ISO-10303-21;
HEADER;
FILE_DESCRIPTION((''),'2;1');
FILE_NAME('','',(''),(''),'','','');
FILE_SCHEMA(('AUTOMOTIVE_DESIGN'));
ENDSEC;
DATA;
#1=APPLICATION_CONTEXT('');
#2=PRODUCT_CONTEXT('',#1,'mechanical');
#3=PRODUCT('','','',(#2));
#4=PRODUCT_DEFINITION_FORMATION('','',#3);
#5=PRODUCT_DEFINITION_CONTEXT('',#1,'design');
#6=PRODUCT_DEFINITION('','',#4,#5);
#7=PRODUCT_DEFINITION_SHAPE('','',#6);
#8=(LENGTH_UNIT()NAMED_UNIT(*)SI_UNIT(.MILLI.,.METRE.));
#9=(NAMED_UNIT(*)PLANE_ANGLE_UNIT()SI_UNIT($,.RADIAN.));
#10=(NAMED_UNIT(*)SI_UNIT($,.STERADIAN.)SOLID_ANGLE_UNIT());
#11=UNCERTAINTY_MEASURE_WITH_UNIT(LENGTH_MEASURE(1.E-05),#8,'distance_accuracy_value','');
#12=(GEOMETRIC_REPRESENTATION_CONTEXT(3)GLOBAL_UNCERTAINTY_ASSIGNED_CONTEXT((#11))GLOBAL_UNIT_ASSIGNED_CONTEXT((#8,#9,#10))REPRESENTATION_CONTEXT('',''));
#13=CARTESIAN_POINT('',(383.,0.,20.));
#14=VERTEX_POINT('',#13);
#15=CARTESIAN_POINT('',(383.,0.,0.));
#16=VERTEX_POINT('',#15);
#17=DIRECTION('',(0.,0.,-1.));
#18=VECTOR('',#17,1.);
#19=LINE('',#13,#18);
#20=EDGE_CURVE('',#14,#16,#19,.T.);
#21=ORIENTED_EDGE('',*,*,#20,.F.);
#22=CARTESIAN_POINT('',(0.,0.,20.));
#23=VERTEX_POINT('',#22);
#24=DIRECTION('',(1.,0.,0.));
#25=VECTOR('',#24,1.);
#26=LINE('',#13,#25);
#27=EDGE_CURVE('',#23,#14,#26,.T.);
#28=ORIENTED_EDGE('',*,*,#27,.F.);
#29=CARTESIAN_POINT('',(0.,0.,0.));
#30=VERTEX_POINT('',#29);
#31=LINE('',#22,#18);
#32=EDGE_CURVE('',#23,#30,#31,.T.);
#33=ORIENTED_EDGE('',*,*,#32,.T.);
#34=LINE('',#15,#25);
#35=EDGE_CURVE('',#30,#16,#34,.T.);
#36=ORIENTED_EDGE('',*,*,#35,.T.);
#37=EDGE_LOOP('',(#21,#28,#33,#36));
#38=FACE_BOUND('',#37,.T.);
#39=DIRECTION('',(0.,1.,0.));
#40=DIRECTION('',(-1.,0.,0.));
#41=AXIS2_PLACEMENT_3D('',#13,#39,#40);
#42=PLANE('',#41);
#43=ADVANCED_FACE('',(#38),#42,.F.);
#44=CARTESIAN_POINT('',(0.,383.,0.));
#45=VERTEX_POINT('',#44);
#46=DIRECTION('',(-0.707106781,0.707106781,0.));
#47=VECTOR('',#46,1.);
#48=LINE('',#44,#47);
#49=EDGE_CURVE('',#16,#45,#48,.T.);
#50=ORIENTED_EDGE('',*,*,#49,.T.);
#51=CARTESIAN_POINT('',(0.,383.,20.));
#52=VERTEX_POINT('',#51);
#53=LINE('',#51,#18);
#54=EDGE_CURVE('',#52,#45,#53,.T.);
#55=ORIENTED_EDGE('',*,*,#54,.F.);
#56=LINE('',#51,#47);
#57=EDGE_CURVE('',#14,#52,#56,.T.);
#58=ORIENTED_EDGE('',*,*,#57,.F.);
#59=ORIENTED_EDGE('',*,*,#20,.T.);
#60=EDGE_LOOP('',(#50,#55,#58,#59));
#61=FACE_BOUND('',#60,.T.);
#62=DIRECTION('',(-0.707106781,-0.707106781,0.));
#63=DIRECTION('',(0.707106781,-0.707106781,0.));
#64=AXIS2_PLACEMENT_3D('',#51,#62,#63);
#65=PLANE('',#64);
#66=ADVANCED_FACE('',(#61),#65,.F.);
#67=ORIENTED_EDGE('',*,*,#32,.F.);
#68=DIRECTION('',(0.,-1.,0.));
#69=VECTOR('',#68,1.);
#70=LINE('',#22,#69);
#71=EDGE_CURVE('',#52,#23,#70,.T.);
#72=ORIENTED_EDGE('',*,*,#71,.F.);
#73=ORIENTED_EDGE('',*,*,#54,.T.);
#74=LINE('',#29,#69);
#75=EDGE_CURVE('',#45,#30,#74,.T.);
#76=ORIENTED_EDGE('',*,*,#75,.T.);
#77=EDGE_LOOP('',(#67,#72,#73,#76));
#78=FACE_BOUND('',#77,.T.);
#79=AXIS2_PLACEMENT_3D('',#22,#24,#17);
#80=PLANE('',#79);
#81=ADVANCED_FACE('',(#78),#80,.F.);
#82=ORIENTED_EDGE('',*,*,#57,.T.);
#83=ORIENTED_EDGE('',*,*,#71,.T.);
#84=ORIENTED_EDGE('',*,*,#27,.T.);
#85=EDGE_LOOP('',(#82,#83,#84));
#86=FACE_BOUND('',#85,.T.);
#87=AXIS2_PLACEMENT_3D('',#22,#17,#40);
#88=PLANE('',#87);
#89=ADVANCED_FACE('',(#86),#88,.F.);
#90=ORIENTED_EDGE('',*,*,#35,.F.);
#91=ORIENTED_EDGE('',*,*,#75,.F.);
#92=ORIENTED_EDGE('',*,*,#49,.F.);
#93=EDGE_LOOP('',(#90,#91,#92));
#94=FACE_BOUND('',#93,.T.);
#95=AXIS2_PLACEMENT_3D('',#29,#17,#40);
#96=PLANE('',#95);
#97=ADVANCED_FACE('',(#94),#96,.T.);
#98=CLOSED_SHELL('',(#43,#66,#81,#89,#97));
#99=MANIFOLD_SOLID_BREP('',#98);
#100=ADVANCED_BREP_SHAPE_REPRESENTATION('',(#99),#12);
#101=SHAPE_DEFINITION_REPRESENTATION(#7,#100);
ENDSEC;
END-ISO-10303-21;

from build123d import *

# Parameters (mm, degrees)
BOSS_EXTRU_1_DEPTH = 20


with BuildPart() as part:
    # Esquisse1 → Boss.-Extru.1 (new body)
    with BuildSketch(Plane.XY):
        Polygon((0, 0), (0, 383), (383, 0), align=None)
    extrude(amount=BOSS_EXTRU_1_DEPTH)


solid = part.part
